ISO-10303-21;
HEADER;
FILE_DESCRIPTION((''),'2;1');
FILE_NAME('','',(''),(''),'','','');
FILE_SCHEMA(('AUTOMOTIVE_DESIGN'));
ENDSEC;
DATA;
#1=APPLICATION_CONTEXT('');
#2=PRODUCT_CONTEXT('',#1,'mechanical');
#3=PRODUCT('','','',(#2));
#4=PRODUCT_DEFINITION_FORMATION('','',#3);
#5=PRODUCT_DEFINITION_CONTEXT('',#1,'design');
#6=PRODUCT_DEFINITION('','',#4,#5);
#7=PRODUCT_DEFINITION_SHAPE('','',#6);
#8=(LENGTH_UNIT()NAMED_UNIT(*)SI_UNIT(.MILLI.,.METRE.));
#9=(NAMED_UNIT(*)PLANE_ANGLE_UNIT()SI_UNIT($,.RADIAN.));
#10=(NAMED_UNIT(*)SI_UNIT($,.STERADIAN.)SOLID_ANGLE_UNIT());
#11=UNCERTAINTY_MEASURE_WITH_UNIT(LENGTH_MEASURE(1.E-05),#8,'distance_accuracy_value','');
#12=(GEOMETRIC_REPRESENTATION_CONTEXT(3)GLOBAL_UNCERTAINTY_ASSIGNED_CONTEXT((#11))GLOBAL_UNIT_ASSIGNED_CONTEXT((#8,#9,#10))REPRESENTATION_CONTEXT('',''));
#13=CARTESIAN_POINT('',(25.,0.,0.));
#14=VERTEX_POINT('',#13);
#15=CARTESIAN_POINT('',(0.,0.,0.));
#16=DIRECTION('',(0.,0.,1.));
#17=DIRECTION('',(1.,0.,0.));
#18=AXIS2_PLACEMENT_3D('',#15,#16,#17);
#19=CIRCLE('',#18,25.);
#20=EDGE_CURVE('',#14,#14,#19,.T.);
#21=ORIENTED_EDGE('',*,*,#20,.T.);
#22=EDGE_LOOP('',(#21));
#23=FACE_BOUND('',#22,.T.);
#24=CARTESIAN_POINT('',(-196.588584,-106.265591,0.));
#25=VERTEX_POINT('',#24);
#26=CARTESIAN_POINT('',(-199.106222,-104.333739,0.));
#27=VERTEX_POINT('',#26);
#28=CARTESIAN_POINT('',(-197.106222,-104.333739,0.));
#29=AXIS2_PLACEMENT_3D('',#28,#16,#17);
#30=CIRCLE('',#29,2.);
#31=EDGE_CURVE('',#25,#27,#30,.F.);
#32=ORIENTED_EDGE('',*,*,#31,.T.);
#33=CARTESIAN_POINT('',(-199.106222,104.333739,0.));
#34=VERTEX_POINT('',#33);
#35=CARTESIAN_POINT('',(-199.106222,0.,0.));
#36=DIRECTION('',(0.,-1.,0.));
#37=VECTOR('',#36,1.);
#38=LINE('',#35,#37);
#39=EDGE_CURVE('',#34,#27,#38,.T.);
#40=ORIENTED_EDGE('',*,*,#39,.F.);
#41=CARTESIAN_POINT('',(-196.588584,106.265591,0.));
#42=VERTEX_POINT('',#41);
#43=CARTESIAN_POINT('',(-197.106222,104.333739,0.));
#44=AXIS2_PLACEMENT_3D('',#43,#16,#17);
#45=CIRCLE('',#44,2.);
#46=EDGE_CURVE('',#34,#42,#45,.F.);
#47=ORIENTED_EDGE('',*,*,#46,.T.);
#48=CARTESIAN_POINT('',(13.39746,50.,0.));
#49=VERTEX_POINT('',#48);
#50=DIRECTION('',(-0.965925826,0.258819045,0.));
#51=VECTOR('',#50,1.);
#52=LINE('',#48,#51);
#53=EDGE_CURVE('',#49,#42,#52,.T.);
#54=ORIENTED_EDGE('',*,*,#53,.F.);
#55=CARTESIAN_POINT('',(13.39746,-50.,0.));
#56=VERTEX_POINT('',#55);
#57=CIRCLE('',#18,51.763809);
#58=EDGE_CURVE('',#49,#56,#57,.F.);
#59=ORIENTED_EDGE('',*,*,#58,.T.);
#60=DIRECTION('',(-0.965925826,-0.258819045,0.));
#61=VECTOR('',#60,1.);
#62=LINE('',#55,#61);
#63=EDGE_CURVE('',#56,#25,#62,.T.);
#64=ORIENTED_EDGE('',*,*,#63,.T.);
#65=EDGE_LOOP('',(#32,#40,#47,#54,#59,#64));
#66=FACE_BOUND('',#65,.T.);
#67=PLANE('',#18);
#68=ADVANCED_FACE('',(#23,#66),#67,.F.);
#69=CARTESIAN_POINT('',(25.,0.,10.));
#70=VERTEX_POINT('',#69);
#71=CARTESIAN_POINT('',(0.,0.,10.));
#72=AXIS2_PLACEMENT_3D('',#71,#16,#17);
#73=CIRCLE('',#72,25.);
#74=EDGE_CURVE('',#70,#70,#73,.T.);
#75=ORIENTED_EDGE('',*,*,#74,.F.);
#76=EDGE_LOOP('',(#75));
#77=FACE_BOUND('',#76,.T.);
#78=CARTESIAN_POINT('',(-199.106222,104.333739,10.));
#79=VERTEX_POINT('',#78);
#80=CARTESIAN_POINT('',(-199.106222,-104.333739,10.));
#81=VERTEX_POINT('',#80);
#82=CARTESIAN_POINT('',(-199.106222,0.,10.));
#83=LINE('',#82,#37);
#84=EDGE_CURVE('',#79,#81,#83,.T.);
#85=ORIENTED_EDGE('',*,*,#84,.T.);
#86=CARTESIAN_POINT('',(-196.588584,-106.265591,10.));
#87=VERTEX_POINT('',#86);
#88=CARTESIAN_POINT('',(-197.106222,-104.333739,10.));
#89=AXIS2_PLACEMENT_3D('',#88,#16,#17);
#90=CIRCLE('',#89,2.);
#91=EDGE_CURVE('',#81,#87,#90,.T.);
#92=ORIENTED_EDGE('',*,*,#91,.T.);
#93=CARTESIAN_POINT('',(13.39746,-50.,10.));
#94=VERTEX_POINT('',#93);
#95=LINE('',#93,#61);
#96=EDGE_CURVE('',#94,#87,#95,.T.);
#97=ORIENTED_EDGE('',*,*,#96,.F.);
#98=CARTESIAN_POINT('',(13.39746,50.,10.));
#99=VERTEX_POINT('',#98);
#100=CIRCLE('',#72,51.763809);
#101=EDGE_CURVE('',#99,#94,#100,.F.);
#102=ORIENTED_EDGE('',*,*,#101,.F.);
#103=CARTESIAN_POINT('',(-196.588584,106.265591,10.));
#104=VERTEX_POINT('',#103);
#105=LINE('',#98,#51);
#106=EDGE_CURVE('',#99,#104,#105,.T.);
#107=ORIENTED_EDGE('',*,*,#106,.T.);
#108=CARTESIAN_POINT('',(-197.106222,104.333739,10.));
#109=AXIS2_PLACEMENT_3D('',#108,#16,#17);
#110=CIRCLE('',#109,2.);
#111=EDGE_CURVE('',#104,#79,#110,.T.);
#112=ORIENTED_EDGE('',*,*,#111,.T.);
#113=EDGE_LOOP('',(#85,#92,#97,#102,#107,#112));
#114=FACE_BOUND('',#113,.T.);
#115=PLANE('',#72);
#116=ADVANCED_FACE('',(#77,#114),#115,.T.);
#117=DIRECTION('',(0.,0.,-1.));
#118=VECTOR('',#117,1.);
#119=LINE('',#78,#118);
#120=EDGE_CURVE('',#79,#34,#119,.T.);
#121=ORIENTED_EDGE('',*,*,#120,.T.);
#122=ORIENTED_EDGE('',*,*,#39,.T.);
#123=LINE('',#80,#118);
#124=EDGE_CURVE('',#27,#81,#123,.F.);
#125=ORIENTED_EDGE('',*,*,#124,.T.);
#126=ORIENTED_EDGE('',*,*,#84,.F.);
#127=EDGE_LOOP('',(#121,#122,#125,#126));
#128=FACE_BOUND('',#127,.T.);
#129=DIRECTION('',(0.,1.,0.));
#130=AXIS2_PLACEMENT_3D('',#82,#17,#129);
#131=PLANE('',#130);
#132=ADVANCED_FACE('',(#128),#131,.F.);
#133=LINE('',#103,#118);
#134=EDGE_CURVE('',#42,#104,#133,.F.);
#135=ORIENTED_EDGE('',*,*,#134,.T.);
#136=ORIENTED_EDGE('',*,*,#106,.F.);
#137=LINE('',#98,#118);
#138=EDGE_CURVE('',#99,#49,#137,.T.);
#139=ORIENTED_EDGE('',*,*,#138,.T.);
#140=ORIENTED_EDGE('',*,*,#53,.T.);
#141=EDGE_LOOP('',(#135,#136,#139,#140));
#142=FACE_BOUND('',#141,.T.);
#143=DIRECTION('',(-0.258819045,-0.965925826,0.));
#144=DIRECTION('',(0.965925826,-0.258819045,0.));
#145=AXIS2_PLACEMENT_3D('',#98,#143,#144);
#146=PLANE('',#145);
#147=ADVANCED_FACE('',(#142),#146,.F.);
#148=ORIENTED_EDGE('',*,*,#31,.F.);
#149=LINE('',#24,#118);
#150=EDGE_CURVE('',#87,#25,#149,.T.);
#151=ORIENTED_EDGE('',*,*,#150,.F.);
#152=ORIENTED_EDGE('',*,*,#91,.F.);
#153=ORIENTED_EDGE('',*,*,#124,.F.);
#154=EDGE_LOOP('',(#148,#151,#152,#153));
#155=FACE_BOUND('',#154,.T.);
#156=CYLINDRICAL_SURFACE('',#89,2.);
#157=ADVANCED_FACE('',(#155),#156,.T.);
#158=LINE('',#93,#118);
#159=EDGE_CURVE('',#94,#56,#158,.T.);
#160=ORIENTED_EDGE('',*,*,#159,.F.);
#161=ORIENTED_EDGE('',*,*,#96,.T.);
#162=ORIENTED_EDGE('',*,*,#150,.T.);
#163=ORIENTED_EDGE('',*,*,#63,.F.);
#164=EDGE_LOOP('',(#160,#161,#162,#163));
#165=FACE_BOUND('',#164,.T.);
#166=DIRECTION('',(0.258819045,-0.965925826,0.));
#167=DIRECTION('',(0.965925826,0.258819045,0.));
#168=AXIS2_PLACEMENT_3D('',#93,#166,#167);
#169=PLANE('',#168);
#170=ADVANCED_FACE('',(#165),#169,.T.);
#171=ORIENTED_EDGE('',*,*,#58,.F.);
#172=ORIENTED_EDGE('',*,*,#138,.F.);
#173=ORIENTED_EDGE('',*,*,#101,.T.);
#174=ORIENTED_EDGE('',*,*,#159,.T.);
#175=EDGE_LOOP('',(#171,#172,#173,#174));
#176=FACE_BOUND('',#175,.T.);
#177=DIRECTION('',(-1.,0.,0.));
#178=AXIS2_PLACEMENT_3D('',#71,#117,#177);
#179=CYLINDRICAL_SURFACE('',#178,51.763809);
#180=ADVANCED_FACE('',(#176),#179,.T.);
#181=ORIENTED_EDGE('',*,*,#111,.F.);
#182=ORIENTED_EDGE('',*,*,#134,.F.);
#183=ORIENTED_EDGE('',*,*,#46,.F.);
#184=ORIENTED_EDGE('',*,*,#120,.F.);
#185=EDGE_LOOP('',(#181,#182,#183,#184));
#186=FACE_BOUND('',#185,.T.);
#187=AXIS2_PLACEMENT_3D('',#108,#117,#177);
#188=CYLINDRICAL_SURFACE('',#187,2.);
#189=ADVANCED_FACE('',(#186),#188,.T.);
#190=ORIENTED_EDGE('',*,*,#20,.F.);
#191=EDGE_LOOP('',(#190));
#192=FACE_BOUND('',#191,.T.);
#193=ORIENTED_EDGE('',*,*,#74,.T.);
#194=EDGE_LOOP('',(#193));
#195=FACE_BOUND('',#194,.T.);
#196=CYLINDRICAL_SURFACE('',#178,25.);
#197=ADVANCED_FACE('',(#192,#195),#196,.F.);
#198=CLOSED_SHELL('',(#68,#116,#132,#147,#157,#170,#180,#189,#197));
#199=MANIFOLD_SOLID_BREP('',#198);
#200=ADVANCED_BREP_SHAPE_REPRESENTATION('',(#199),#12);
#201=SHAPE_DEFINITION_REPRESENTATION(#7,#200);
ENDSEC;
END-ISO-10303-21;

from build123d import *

# Parameters (mm, degrees)
SKETCH1_R           = 25
BOSS_EXTRUDE2_DEPTH = 10
FILLET2_R           = 2


with BuildPart() as part:
    # Sketch1 → Boss-Extrude2 (new body)
    with BuildSketch(Plane.XY):
        with BuildLine():
            Line((-199.106222162, -106.940189923), (13.397459622, -50))
            ThreePointArc((13.397459622, -50), (41.066990793, -31.51181035), (51.763809021, 0))
            ThreePointArc((51.763809021, 0), (41.066990793, 31.51181035), (13.397459622, 50))
            Line((13.397459622, 50), (-199.106222162, 106.940189923))
            Line((-199.106222162, 106.940189923), (-199.106222162, -106.940189923))
        make_face()
        Circle(SKETCH1_R, mode=Mode.SUBTRACT)
    extrude(amount=BOSS_EXTRUDE2_DEPTH)

    # Fillet2
    fillet2_edges = [part.edges().sort_by_distance(p)[0] for p in [
        (-199.106222162, -106.940189923, 5),
        (-199.106222162, 106.940189923, 5),
    ]]
    fillet(fillet2_edges, radius=FILLET2_R)


solid = part.part
